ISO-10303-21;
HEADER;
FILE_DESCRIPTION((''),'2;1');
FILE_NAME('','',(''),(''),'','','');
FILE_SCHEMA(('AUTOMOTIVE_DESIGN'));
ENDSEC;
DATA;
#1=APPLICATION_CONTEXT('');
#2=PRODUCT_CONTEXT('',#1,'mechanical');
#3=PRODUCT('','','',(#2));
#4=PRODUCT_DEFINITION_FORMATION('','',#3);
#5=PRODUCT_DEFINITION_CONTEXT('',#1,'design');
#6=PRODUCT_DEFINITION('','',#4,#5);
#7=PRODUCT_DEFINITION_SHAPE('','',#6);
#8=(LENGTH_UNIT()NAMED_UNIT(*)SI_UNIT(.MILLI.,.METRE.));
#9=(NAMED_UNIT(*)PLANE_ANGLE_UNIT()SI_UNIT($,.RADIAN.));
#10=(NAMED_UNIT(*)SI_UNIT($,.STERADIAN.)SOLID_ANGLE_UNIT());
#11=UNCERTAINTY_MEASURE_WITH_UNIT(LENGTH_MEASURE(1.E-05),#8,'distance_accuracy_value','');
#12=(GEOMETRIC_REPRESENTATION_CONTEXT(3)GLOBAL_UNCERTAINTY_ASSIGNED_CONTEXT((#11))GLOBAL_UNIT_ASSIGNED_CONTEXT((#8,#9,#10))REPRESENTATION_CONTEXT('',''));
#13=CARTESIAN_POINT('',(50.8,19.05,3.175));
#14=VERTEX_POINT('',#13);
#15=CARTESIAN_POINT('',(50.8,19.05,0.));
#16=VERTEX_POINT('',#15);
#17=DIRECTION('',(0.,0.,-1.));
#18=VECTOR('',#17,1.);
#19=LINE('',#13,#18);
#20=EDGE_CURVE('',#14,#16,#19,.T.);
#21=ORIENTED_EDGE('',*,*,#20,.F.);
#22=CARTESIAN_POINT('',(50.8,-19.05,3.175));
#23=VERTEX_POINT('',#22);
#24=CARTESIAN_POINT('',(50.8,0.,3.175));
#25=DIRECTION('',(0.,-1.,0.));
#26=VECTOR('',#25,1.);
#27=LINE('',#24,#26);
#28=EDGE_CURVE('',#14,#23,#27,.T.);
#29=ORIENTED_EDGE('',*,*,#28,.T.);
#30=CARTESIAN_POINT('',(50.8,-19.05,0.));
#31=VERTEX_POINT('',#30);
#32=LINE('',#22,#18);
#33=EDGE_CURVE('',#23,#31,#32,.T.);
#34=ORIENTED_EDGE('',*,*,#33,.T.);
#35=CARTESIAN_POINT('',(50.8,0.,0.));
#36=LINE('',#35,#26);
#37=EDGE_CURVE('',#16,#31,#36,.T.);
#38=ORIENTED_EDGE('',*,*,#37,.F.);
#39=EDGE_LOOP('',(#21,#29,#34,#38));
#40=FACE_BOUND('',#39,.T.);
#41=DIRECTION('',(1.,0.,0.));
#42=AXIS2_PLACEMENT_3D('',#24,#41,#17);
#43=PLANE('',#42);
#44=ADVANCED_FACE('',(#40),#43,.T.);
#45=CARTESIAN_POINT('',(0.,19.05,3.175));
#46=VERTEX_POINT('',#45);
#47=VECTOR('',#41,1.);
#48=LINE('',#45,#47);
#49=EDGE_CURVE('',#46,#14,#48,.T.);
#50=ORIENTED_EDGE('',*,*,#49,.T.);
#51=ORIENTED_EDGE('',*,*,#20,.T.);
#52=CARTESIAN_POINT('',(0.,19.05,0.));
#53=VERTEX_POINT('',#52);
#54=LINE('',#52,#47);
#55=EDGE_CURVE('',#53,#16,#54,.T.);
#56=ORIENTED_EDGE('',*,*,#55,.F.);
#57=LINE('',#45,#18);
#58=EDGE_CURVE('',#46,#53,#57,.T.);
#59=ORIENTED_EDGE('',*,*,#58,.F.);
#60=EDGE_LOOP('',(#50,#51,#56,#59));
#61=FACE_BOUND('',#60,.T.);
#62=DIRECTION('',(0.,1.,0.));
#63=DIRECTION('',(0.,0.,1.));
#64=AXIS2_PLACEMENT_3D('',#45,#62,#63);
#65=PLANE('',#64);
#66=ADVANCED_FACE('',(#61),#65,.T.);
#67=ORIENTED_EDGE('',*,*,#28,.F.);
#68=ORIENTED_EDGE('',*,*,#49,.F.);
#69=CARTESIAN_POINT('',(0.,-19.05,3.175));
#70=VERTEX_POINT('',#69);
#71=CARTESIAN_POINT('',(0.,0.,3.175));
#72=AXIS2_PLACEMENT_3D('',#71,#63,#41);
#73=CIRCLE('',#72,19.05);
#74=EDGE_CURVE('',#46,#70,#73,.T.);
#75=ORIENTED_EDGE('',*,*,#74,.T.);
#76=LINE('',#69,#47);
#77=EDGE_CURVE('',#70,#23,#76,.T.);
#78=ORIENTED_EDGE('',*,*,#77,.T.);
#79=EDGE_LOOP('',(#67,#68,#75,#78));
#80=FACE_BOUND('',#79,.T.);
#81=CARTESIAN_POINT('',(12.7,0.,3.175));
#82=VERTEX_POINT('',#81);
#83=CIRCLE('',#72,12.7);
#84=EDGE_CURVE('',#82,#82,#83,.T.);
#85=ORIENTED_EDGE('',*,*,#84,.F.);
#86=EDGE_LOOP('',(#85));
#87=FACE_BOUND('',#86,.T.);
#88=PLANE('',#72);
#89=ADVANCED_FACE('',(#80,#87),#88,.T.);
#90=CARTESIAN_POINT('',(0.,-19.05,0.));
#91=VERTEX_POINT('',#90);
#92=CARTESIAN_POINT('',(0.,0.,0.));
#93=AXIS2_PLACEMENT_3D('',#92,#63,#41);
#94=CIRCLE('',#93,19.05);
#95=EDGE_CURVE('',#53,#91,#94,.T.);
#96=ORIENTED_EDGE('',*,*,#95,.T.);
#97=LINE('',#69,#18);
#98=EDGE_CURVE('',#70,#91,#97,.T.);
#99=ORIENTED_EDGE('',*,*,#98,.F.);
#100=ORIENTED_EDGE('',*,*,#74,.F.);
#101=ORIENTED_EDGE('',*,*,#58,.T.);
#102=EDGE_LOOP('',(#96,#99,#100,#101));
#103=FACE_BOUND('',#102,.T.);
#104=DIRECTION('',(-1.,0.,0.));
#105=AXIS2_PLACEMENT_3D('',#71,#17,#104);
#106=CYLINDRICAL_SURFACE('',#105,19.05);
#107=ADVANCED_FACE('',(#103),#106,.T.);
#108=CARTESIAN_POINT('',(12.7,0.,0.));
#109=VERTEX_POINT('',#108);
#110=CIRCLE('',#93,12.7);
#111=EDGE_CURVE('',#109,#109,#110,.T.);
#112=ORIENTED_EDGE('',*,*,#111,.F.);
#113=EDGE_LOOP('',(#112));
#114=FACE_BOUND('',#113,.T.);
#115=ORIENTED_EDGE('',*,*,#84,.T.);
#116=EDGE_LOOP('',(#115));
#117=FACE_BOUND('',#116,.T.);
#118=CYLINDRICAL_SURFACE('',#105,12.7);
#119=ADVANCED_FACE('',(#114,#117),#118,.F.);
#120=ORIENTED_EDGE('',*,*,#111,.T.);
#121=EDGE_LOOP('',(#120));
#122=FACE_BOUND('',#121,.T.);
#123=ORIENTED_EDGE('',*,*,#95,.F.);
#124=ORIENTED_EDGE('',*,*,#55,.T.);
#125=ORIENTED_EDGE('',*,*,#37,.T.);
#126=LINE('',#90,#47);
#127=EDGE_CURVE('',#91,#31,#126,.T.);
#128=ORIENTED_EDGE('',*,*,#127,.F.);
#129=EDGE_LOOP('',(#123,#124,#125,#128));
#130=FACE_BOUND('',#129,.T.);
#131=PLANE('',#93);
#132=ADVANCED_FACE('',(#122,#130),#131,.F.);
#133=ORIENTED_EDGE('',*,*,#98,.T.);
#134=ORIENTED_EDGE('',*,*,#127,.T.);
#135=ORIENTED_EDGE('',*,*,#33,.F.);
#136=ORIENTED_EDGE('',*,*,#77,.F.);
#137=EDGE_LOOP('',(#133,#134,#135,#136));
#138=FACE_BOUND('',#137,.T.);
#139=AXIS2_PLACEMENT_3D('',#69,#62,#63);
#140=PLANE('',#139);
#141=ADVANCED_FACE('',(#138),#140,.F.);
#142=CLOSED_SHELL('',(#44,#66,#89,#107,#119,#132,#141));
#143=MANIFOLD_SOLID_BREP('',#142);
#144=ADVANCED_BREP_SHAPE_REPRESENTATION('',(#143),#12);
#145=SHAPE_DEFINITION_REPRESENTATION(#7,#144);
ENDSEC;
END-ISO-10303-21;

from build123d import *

# Parameters (mm, degrees)
FLAT_SKETCH_R      = 12.7
EXTRUDE_FACE_DEPTH = 3.175


with BuildPart() as part:
    # Flat sketch → Extrude face (new body)
    with BuildSketch(Plane.XY):
        with BuildLine():
            Line((0, -19.05), (50.8, -19.05))
            Line((50.8, -19.05), (50.8, 19.05))
            Line((50.8, 19.05), (0, 19.05))
            ThreePointArc((0, 19.05), (-19.05, 0), (0, -19.05))
        make_face()
        Circle(FLAT_SKETCH_R, mode=Mode.SUBTRACT)
    extrude(amount=EXTRUDE_FACE_DEPTH)


solid = part.part
